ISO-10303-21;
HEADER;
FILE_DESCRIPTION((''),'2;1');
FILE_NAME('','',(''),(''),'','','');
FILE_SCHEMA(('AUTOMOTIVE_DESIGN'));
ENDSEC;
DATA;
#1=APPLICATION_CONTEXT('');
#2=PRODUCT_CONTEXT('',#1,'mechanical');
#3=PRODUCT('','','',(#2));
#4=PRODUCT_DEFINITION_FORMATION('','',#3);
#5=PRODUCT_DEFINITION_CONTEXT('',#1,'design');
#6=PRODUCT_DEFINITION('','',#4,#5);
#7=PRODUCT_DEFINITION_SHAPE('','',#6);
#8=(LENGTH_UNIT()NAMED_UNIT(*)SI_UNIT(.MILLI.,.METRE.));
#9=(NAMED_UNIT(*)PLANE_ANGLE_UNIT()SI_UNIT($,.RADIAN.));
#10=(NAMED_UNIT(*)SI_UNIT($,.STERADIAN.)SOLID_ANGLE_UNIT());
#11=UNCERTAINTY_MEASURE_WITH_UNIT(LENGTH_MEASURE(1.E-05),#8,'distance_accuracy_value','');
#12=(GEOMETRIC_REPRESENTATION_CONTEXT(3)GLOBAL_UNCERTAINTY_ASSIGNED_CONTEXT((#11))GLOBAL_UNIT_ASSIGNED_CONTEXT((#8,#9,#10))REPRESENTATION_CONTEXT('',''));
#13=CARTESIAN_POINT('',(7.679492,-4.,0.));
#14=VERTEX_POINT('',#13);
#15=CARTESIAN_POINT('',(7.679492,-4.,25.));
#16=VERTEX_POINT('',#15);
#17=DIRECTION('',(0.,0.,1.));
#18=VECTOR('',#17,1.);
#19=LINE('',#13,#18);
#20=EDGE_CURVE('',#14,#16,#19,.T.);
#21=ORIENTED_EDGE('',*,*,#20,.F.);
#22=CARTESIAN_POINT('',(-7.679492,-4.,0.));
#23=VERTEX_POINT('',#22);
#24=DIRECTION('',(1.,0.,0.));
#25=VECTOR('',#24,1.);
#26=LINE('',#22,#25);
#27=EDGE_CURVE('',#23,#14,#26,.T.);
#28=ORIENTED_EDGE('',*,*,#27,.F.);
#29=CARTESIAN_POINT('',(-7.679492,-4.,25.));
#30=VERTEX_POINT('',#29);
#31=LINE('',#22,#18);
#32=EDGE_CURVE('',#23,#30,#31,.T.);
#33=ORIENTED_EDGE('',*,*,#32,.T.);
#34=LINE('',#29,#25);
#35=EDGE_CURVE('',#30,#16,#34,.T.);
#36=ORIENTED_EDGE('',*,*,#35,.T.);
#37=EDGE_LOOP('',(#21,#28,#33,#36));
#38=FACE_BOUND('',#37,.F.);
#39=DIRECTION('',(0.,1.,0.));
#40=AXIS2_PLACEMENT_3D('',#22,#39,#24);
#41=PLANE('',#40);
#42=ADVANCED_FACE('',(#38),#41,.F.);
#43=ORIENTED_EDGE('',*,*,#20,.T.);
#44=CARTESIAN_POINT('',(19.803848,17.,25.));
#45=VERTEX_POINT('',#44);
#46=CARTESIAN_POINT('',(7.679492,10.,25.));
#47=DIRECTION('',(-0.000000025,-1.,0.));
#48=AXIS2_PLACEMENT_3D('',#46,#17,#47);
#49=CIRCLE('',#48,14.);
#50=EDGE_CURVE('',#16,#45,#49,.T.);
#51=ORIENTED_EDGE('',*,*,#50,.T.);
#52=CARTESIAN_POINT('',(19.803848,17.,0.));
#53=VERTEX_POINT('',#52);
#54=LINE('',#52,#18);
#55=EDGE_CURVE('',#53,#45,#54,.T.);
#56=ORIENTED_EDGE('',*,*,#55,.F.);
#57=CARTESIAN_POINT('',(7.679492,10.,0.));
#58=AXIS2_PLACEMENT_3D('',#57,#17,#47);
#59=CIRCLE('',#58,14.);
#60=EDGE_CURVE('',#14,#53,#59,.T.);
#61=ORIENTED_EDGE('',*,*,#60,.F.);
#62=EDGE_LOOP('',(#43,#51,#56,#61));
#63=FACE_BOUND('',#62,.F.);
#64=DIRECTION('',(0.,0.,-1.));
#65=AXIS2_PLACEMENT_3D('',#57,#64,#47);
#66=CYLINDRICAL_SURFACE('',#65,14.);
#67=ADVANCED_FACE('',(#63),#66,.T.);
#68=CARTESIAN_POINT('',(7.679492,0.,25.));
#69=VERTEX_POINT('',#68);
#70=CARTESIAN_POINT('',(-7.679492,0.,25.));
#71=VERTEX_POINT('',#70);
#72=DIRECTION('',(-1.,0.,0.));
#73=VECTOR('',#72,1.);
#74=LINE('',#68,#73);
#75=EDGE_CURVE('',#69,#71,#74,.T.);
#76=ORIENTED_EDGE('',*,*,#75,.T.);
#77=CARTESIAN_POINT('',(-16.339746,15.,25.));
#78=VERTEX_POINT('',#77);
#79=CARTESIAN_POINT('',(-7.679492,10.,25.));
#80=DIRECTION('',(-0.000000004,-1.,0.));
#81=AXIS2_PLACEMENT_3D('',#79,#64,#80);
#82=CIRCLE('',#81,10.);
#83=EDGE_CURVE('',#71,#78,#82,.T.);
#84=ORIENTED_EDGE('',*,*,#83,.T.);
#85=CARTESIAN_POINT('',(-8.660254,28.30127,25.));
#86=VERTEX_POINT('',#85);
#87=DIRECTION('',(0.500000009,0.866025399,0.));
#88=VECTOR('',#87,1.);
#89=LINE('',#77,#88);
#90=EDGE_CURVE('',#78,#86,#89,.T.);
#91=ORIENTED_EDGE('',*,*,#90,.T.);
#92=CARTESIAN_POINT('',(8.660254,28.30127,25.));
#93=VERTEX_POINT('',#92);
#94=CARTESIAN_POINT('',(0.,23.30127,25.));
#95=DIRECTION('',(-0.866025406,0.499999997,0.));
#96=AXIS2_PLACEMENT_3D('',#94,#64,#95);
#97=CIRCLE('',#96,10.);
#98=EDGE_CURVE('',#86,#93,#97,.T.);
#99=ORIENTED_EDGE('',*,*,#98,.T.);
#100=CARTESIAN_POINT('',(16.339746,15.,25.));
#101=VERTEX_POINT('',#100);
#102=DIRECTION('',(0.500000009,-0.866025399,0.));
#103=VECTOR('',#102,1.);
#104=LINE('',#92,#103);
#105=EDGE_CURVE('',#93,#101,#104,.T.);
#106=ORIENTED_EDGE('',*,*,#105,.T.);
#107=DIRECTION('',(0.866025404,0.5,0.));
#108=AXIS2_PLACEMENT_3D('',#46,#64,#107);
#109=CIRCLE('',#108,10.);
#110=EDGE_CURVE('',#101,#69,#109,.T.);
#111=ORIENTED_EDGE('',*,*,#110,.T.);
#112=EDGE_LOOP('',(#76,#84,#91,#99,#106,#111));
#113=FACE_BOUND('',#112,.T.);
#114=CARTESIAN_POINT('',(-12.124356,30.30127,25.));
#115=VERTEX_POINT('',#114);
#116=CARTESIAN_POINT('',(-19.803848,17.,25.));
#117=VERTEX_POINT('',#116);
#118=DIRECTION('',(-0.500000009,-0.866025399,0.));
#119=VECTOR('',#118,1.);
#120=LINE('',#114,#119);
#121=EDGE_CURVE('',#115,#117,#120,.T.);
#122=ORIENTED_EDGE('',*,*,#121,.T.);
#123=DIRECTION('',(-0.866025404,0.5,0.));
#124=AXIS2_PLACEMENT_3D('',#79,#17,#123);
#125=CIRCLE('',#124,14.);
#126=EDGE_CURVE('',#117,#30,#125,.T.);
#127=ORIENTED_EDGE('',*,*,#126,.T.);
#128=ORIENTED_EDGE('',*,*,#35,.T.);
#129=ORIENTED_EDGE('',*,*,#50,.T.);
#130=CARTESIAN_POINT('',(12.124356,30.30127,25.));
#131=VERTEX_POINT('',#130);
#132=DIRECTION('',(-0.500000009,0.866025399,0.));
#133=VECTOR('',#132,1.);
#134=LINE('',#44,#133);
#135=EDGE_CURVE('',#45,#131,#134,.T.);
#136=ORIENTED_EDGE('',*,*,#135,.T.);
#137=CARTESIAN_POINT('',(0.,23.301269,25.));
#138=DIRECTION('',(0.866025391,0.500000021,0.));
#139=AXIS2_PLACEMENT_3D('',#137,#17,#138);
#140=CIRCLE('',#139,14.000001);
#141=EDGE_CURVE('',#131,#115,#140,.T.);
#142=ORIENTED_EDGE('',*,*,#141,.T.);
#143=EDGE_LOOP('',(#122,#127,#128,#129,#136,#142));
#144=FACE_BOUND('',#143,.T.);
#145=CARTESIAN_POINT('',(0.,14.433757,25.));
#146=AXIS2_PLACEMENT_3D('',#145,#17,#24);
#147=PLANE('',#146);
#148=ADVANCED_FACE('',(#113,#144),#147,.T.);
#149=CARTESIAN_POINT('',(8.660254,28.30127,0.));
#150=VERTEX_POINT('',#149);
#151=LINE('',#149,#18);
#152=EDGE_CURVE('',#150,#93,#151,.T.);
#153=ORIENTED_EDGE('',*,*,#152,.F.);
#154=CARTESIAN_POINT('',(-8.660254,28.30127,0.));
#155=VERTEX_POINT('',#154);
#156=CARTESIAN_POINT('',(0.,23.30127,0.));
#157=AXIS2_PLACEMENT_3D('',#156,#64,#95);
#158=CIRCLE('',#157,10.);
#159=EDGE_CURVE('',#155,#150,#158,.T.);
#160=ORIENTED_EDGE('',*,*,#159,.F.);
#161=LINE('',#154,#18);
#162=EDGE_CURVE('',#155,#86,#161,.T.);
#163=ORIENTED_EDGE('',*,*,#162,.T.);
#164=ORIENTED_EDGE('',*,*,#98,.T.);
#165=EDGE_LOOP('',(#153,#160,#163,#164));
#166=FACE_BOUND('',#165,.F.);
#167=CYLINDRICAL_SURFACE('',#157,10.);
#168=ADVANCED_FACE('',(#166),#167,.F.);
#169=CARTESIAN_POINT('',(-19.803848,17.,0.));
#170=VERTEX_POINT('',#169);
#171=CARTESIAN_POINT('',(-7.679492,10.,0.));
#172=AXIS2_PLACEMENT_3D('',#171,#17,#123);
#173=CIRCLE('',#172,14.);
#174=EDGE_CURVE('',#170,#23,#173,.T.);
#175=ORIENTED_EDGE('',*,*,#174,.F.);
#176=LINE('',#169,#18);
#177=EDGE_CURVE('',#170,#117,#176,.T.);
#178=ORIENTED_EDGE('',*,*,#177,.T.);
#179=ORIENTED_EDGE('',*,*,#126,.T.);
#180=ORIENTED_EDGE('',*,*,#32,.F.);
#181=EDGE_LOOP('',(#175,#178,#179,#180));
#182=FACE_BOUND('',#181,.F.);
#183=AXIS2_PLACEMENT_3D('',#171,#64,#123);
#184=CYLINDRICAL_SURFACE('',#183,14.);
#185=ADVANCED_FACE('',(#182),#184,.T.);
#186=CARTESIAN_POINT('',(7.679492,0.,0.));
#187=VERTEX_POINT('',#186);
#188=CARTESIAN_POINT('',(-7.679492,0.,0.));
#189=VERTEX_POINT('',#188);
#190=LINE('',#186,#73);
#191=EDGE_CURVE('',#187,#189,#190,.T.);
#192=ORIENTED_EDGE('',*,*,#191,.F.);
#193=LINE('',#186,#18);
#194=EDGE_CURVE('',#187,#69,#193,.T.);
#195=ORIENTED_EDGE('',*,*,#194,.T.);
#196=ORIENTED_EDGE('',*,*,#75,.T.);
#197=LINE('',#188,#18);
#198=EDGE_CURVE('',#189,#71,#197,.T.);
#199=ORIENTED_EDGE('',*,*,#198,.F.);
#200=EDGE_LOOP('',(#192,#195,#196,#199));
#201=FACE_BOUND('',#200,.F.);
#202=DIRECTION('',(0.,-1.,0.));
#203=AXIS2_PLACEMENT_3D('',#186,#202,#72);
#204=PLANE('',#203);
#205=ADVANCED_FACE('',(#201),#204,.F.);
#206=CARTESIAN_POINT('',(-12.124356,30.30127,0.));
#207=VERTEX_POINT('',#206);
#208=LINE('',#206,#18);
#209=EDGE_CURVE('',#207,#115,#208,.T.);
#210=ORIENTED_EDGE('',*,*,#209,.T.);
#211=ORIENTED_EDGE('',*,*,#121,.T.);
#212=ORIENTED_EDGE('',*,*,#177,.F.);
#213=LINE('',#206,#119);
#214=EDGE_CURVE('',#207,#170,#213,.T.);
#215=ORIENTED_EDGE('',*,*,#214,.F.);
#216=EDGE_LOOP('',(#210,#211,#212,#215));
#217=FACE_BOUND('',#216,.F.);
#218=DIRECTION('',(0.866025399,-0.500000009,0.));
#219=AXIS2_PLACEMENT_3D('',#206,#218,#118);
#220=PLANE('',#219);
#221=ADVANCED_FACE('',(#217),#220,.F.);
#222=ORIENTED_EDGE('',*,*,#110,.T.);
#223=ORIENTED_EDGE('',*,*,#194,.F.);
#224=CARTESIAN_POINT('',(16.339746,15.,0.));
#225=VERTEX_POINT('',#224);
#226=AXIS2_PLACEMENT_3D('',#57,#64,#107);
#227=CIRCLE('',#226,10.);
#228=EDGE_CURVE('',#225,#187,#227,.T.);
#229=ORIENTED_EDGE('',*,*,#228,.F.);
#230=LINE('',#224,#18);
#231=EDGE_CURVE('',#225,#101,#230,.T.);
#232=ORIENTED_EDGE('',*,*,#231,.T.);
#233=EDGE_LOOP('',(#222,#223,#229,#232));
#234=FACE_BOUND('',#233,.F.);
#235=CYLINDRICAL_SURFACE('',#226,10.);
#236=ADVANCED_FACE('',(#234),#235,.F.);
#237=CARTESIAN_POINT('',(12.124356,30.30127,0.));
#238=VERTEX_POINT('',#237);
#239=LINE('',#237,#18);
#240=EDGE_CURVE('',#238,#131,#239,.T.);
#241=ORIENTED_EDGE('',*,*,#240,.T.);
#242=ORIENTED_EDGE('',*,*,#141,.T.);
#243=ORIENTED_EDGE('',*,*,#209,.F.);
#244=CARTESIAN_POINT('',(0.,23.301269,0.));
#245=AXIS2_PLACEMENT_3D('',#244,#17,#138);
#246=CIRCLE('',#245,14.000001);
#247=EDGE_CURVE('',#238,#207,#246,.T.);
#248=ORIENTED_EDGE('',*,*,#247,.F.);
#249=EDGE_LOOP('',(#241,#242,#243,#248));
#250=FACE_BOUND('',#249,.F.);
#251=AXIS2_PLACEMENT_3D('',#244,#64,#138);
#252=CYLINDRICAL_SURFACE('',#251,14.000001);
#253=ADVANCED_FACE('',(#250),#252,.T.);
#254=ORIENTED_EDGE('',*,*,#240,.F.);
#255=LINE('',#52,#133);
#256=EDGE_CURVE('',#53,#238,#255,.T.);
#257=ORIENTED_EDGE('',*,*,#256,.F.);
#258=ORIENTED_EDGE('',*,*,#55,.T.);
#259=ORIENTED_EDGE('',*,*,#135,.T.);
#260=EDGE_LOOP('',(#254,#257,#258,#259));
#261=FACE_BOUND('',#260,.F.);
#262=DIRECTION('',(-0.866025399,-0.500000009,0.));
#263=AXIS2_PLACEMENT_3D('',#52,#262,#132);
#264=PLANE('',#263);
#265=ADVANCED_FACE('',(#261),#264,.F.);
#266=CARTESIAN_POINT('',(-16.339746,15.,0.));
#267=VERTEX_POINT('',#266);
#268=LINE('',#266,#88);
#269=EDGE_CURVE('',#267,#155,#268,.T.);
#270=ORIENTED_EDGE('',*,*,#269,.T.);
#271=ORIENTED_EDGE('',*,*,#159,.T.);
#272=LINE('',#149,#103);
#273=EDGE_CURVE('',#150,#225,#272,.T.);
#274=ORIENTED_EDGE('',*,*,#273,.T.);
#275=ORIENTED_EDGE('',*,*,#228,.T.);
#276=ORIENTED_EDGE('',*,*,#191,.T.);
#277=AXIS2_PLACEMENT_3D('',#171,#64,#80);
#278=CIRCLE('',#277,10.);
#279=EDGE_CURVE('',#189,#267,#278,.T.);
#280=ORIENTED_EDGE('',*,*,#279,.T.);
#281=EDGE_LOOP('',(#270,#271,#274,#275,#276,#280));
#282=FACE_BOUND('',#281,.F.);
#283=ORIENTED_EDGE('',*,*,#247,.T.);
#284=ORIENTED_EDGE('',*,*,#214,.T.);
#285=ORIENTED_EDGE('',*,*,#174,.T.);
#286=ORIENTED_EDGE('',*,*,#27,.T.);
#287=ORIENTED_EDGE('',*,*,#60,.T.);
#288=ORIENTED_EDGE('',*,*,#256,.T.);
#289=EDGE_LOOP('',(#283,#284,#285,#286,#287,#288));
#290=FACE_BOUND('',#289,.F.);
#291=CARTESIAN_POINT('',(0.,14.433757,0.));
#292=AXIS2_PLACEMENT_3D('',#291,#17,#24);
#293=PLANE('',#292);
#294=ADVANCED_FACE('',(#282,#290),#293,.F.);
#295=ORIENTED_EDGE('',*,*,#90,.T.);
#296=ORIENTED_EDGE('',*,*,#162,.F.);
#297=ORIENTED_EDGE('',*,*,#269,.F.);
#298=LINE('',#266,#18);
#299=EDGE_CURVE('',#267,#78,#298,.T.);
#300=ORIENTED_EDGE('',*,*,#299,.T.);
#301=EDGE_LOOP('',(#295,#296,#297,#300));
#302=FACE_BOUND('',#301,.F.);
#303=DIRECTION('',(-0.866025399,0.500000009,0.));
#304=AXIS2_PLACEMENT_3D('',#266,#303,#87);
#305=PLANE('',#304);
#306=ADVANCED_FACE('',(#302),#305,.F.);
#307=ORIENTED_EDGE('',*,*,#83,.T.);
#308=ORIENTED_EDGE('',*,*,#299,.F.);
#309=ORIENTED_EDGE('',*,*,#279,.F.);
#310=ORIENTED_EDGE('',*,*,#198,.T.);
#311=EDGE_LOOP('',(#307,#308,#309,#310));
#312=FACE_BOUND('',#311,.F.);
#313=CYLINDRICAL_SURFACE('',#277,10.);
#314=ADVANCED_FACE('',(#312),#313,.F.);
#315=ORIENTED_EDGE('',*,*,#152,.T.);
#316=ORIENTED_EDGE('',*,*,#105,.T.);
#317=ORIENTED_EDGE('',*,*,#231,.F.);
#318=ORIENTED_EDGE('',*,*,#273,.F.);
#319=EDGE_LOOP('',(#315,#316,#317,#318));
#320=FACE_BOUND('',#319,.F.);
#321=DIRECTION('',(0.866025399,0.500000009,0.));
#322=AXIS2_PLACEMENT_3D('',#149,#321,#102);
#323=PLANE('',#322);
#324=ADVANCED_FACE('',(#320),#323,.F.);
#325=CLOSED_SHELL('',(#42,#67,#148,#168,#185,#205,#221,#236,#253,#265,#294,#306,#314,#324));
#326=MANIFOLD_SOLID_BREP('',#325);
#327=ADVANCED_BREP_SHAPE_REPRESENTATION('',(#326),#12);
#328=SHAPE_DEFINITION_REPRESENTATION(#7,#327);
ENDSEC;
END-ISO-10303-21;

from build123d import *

# Parameters (mm, degrees)
F1_DEPTH = 25


with BuildPart() as f1:
    # F0 (on Top) → F1 (new body)
    with BuildSketch(Plane.XY):
        with BuildLine():
            ThreePointArc((7.679492, -4), (19.803848, 3), (19.803848, 17))
            Line((19.803848, 17), (12.124356, 30.30127))
            ThreePointArc((12.124356, 30.30127), (0, 37.30127), (-12.124356, 30.30127))
            Line((-12.124356, 30.30127), (-19.803848, 17))
            ThreePointArc((-19.803848, 17), (-19.803848, 3), (-7.679492, -4))
            Line((-7.679492, -4), (0, -4))
            Line((0, -4), (7.679492, -4))
        make_face()
        with BuildLine():
            Line((7.679492, 0), (0, 0))
            Line((0, 0), (-7.679492, 0))
            ThreePointArc((-7.679492, 0), (-16.339746, 5), (-16.339746, 15))
            Line((-16.339746, 15), (-8.660254, 28.30127))
            ThreePointArc((-8.660254, 28.30127), (0, 33.30127), (8.660254, 28.30127))
            Line((8.660254, 28.30127), (16.339746, 15))
            ThreePointArc((16.339746, 15), (16.339746, 5), (7.679492, 0))
        make_face(mode=Mode.SUBTRACT)
    extrude(amount=F1_DEPTH)


solid = f1.part
